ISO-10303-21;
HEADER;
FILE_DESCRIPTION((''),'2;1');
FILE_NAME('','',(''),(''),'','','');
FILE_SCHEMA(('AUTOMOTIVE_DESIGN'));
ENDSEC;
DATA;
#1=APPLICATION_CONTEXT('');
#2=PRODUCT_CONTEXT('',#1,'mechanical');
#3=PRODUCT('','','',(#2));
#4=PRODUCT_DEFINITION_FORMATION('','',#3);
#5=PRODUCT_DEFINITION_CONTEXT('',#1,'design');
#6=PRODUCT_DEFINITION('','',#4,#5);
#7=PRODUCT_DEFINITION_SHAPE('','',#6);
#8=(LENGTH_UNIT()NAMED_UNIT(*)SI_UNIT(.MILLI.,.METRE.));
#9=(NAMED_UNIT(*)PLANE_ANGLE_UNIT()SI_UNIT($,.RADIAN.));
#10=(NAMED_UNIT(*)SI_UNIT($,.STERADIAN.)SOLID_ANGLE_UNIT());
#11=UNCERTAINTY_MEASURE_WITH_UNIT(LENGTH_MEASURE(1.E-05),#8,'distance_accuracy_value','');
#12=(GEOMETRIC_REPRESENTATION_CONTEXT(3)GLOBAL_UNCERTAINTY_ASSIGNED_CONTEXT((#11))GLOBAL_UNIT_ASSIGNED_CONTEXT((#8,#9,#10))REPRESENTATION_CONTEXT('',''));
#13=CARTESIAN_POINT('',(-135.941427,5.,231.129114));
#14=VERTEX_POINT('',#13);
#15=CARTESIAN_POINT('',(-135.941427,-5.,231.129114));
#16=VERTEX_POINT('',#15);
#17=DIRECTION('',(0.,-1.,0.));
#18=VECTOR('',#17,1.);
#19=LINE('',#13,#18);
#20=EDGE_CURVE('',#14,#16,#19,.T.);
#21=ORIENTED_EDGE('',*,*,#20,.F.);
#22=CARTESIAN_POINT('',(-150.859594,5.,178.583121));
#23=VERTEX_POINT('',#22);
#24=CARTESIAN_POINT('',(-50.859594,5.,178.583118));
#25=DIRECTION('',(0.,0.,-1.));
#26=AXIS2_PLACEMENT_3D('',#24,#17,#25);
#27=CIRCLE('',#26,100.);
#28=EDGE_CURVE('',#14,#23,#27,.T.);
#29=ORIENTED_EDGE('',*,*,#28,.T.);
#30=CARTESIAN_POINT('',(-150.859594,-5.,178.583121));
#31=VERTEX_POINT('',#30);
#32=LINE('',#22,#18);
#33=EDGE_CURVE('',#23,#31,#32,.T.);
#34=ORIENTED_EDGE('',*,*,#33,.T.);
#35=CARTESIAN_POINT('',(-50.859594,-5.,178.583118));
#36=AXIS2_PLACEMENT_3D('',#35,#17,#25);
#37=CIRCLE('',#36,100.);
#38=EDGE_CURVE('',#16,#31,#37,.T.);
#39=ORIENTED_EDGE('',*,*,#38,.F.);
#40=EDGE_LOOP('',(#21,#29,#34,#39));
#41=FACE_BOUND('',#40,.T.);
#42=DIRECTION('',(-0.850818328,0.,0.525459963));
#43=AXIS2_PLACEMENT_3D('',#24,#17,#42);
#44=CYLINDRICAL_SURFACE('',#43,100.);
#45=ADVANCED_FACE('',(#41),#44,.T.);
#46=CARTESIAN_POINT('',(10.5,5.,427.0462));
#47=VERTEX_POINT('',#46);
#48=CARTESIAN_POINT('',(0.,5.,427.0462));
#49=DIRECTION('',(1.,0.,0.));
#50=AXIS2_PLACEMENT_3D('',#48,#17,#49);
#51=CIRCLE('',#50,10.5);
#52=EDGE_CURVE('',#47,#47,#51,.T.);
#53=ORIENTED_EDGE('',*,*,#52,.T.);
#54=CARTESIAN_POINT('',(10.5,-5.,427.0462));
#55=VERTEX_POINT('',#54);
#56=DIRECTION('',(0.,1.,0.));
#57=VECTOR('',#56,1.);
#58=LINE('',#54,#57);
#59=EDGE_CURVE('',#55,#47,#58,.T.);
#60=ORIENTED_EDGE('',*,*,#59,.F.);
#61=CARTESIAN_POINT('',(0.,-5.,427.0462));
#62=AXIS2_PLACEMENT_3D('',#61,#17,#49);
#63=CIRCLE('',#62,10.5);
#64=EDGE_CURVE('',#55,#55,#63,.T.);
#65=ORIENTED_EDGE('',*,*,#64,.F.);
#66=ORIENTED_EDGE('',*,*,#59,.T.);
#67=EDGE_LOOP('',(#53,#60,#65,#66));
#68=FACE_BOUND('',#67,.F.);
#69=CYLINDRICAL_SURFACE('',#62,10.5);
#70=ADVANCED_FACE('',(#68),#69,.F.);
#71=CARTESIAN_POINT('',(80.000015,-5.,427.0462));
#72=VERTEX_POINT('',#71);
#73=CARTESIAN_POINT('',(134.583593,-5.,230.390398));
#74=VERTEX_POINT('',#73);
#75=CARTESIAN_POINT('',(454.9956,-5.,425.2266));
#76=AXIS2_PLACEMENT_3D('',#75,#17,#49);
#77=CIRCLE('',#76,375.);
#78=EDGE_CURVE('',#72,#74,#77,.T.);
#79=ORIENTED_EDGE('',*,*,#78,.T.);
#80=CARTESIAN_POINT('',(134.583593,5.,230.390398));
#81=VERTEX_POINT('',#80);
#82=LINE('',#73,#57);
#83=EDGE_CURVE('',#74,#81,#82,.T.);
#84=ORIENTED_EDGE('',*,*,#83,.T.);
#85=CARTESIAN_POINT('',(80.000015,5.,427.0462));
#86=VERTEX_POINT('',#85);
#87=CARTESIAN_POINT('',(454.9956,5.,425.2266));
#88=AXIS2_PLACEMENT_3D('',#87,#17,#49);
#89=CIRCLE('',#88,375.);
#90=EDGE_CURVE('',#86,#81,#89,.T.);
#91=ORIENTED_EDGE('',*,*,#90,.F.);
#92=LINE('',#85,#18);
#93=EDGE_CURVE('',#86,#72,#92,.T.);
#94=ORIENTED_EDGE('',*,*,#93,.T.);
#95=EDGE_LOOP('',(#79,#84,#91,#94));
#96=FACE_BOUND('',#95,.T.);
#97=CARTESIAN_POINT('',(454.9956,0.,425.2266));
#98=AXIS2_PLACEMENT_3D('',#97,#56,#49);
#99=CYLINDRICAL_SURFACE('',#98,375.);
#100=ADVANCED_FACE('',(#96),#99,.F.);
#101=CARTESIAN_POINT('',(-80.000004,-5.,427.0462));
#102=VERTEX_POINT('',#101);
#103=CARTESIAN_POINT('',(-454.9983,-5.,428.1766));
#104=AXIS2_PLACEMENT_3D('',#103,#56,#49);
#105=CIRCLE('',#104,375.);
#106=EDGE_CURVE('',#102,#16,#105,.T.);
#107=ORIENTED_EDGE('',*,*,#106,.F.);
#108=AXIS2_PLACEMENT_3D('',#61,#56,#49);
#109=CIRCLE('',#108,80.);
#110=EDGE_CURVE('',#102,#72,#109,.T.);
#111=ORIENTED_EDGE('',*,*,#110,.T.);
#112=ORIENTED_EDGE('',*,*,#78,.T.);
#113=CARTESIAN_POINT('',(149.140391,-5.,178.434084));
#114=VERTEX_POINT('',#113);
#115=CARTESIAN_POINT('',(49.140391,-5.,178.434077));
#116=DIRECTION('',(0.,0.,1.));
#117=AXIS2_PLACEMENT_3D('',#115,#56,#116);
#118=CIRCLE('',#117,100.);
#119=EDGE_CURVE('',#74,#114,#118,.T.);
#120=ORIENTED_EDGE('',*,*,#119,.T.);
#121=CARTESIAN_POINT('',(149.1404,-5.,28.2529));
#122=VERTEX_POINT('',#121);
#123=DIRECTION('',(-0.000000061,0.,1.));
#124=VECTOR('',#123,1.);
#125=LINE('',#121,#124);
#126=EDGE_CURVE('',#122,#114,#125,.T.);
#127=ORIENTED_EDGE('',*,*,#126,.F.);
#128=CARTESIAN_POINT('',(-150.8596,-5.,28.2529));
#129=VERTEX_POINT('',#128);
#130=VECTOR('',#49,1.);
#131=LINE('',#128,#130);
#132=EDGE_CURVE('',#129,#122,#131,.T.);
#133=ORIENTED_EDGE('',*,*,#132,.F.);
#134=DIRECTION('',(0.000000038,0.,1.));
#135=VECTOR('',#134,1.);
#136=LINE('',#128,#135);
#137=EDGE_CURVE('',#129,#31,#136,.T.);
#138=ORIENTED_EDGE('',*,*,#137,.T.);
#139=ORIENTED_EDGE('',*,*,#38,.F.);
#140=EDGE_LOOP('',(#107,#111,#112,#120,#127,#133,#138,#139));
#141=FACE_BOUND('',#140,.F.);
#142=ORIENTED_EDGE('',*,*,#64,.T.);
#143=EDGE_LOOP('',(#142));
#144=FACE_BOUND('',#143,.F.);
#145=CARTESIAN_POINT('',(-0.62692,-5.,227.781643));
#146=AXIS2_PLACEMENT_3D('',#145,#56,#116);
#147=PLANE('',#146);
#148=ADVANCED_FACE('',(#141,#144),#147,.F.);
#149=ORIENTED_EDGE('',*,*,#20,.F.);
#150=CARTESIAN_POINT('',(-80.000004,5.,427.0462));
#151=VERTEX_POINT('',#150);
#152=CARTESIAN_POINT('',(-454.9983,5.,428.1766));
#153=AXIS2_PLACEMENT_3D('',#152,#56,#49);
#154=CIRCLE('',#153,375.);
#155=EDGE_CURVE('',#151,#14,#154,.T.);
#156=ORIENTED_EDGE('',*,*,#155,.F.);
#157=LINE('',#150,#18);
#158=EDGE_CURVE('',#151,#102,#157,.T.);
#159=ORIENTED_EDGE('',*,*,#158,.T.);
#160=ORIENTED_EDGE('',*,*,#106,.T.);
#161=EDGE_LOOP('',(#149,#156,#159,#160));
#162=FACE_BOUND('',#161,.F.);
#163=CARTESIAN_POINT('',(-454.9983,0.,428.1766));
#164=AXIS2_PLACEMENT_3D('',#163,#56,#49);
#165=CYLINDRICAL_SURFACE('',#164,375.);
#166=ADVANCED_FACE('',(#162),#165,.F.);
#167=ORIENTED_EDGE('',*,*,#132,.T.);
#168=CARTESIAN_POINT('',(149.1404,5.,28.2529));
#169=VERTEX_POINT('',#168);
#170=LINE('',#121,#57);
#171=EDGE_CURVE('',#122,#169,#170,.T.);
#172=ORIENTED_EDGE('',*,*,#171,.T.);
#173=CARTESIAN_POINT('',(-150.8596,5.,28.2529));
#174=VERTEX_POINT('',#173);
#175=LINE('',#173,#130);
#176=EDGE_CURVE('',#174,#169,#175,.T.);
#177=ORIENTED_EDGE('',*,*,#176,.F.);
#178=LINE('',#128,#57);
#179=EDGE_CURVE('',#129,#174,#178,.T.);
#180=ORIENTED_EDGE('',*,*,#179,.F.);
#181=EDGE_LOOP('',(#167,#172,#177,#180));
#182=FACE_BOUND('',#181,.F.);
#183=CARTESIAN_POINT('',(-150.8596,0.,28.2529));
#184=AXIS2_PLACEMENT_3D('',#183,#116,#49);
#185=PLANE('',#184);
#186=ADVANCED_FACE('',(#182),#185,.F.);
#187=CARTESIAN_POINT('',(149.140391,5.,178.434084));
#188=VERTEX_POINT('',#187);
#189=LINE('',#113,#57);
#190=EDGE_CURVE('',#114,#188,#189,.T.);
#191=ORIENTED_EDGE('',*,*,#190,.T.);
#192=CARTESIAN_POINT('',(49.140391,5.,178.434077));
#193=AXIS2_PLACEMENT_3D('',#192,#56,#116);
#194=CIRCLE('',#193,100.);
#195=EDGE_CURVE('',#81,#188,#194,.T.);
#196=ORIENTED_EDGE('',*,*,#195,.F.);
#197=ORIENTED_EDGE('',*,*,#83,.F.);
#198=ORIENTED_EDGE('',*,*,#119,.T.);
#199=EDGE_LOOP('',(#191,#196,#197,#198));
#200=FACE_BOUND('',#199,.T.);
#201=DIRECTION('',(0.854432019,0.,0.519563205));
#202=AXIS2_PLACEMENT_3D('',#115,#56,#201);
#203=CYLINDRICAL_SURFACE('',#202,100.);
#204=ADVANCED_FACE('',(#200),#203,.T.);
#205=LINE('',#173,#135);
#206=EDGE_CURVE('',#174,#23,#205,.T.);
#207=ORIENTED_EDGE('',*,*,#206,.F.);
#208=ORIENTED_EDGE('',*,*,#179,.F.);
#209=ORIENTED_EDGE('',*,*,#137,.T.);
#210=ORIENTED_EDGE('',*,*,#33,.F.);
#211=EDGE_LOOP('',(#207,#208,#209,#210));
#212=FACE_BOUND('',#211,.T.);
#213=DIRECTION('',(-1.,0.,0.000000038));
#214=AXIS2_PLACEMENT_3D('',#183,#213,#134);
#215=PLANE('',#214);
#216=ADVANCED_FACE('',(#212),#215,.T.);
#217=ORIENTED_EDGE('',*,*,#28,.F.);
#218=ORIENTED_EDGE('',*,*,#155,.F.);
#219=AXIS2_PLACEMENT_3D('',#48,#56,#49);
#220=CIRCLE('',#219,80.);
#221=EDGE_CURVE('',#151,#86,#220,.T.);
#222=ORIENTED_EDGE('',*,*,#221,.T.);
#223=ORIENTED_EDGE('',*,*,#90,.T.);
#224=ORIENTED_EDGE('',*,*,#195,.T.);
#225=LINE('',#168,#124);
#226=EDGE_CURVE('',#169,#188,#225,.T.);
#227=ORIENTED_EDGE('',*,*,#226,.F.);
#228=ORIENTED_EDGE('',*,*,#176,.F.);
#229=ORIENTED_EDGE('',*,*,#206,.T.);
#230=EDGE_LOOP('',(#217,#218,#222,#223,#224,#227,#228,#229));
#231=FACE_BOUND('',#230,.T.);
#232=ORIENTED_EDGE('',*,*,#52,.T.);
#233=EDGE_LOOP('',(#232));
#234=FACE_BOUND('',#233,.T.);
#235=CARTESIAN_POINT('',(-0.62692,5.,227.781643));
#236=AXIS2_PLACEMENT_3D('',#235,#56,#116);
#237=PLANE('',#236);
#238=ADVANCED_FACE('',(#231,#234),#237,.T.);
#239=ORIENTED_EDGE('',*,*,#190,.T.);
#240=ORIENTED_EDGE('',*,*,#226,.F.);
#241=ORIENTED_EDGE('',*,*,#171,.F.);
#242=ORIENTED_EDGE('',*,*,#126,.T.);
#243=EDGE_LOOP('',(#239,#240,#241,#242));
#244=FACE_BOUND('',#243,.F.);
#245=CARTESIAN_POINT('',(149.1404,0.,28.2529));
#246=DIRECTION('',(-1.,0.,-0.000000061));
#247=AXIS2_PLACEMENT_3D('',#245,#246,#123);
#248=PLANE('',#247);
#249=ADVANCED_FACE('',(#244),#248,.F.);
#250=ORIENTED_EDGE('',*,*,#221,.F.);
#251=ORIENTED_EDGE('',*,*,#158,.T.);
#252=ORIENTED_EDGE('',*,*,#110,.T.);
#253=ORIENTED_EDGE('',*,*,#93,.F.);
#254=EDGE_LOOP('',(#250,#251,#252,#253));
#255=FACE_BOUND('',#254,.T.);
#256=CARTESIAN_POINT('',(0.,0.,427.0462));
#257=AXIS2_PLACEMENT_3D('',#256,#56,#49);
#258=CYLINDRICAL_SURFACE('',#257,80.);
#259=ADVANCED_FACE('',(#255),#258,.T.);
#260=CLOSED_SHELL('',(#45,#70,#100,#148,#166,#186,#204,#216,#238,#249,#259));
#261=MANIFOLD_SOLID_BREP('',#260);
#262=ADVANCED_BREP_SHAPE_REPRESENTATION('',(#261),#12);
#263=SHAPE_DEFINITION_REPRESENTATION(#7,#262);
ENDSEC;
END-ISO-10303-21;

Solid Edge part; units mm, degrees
sketch "Sketch1" plane through (0, 0, 0) normal (0, -1, 0) x (1, 0, 0)
  arc A0 (80, 427.0462) -> (149.1404, 208.2529) centre (454.9956, 425.2266) ccw
  line L0 (149.1404, 28.2529) -> (149.1404, 208.2529)
  line L1 (-150.8596, 28.2529) -> (149.1404, 28.2529)
  line L2 (-150.8596, 28.2529) -> (-150.8596, 208.8033)
  arc A1 (-80, 427.0462) -> (-150.8596, 208.8033) centre (-454.9983, 428.1766) cw
  arc A2 (-80, 427.0462) -> (80, 427.0462) centre (0, 427.0462) cw
extrude "ProtrusioneEstrusa_1" add sketch "Sketch1" along normal mid plane 10
fillet "Rotondo_1" radius 100 2 edges at (149.1404, 0, 208.2529) (-150.8596, 0, 208.8033)
sketch "Sketch2" plane through (-0.8596, -5, 267.6495) normal (0, -1, 0) x (1, 0, 0)
  circle A0 centre (0.8596, 159.3967) radius 10.5
extrude "Cutout1" cut sketch "Sketch2" against normal through all
properties material "Policarbonato"
